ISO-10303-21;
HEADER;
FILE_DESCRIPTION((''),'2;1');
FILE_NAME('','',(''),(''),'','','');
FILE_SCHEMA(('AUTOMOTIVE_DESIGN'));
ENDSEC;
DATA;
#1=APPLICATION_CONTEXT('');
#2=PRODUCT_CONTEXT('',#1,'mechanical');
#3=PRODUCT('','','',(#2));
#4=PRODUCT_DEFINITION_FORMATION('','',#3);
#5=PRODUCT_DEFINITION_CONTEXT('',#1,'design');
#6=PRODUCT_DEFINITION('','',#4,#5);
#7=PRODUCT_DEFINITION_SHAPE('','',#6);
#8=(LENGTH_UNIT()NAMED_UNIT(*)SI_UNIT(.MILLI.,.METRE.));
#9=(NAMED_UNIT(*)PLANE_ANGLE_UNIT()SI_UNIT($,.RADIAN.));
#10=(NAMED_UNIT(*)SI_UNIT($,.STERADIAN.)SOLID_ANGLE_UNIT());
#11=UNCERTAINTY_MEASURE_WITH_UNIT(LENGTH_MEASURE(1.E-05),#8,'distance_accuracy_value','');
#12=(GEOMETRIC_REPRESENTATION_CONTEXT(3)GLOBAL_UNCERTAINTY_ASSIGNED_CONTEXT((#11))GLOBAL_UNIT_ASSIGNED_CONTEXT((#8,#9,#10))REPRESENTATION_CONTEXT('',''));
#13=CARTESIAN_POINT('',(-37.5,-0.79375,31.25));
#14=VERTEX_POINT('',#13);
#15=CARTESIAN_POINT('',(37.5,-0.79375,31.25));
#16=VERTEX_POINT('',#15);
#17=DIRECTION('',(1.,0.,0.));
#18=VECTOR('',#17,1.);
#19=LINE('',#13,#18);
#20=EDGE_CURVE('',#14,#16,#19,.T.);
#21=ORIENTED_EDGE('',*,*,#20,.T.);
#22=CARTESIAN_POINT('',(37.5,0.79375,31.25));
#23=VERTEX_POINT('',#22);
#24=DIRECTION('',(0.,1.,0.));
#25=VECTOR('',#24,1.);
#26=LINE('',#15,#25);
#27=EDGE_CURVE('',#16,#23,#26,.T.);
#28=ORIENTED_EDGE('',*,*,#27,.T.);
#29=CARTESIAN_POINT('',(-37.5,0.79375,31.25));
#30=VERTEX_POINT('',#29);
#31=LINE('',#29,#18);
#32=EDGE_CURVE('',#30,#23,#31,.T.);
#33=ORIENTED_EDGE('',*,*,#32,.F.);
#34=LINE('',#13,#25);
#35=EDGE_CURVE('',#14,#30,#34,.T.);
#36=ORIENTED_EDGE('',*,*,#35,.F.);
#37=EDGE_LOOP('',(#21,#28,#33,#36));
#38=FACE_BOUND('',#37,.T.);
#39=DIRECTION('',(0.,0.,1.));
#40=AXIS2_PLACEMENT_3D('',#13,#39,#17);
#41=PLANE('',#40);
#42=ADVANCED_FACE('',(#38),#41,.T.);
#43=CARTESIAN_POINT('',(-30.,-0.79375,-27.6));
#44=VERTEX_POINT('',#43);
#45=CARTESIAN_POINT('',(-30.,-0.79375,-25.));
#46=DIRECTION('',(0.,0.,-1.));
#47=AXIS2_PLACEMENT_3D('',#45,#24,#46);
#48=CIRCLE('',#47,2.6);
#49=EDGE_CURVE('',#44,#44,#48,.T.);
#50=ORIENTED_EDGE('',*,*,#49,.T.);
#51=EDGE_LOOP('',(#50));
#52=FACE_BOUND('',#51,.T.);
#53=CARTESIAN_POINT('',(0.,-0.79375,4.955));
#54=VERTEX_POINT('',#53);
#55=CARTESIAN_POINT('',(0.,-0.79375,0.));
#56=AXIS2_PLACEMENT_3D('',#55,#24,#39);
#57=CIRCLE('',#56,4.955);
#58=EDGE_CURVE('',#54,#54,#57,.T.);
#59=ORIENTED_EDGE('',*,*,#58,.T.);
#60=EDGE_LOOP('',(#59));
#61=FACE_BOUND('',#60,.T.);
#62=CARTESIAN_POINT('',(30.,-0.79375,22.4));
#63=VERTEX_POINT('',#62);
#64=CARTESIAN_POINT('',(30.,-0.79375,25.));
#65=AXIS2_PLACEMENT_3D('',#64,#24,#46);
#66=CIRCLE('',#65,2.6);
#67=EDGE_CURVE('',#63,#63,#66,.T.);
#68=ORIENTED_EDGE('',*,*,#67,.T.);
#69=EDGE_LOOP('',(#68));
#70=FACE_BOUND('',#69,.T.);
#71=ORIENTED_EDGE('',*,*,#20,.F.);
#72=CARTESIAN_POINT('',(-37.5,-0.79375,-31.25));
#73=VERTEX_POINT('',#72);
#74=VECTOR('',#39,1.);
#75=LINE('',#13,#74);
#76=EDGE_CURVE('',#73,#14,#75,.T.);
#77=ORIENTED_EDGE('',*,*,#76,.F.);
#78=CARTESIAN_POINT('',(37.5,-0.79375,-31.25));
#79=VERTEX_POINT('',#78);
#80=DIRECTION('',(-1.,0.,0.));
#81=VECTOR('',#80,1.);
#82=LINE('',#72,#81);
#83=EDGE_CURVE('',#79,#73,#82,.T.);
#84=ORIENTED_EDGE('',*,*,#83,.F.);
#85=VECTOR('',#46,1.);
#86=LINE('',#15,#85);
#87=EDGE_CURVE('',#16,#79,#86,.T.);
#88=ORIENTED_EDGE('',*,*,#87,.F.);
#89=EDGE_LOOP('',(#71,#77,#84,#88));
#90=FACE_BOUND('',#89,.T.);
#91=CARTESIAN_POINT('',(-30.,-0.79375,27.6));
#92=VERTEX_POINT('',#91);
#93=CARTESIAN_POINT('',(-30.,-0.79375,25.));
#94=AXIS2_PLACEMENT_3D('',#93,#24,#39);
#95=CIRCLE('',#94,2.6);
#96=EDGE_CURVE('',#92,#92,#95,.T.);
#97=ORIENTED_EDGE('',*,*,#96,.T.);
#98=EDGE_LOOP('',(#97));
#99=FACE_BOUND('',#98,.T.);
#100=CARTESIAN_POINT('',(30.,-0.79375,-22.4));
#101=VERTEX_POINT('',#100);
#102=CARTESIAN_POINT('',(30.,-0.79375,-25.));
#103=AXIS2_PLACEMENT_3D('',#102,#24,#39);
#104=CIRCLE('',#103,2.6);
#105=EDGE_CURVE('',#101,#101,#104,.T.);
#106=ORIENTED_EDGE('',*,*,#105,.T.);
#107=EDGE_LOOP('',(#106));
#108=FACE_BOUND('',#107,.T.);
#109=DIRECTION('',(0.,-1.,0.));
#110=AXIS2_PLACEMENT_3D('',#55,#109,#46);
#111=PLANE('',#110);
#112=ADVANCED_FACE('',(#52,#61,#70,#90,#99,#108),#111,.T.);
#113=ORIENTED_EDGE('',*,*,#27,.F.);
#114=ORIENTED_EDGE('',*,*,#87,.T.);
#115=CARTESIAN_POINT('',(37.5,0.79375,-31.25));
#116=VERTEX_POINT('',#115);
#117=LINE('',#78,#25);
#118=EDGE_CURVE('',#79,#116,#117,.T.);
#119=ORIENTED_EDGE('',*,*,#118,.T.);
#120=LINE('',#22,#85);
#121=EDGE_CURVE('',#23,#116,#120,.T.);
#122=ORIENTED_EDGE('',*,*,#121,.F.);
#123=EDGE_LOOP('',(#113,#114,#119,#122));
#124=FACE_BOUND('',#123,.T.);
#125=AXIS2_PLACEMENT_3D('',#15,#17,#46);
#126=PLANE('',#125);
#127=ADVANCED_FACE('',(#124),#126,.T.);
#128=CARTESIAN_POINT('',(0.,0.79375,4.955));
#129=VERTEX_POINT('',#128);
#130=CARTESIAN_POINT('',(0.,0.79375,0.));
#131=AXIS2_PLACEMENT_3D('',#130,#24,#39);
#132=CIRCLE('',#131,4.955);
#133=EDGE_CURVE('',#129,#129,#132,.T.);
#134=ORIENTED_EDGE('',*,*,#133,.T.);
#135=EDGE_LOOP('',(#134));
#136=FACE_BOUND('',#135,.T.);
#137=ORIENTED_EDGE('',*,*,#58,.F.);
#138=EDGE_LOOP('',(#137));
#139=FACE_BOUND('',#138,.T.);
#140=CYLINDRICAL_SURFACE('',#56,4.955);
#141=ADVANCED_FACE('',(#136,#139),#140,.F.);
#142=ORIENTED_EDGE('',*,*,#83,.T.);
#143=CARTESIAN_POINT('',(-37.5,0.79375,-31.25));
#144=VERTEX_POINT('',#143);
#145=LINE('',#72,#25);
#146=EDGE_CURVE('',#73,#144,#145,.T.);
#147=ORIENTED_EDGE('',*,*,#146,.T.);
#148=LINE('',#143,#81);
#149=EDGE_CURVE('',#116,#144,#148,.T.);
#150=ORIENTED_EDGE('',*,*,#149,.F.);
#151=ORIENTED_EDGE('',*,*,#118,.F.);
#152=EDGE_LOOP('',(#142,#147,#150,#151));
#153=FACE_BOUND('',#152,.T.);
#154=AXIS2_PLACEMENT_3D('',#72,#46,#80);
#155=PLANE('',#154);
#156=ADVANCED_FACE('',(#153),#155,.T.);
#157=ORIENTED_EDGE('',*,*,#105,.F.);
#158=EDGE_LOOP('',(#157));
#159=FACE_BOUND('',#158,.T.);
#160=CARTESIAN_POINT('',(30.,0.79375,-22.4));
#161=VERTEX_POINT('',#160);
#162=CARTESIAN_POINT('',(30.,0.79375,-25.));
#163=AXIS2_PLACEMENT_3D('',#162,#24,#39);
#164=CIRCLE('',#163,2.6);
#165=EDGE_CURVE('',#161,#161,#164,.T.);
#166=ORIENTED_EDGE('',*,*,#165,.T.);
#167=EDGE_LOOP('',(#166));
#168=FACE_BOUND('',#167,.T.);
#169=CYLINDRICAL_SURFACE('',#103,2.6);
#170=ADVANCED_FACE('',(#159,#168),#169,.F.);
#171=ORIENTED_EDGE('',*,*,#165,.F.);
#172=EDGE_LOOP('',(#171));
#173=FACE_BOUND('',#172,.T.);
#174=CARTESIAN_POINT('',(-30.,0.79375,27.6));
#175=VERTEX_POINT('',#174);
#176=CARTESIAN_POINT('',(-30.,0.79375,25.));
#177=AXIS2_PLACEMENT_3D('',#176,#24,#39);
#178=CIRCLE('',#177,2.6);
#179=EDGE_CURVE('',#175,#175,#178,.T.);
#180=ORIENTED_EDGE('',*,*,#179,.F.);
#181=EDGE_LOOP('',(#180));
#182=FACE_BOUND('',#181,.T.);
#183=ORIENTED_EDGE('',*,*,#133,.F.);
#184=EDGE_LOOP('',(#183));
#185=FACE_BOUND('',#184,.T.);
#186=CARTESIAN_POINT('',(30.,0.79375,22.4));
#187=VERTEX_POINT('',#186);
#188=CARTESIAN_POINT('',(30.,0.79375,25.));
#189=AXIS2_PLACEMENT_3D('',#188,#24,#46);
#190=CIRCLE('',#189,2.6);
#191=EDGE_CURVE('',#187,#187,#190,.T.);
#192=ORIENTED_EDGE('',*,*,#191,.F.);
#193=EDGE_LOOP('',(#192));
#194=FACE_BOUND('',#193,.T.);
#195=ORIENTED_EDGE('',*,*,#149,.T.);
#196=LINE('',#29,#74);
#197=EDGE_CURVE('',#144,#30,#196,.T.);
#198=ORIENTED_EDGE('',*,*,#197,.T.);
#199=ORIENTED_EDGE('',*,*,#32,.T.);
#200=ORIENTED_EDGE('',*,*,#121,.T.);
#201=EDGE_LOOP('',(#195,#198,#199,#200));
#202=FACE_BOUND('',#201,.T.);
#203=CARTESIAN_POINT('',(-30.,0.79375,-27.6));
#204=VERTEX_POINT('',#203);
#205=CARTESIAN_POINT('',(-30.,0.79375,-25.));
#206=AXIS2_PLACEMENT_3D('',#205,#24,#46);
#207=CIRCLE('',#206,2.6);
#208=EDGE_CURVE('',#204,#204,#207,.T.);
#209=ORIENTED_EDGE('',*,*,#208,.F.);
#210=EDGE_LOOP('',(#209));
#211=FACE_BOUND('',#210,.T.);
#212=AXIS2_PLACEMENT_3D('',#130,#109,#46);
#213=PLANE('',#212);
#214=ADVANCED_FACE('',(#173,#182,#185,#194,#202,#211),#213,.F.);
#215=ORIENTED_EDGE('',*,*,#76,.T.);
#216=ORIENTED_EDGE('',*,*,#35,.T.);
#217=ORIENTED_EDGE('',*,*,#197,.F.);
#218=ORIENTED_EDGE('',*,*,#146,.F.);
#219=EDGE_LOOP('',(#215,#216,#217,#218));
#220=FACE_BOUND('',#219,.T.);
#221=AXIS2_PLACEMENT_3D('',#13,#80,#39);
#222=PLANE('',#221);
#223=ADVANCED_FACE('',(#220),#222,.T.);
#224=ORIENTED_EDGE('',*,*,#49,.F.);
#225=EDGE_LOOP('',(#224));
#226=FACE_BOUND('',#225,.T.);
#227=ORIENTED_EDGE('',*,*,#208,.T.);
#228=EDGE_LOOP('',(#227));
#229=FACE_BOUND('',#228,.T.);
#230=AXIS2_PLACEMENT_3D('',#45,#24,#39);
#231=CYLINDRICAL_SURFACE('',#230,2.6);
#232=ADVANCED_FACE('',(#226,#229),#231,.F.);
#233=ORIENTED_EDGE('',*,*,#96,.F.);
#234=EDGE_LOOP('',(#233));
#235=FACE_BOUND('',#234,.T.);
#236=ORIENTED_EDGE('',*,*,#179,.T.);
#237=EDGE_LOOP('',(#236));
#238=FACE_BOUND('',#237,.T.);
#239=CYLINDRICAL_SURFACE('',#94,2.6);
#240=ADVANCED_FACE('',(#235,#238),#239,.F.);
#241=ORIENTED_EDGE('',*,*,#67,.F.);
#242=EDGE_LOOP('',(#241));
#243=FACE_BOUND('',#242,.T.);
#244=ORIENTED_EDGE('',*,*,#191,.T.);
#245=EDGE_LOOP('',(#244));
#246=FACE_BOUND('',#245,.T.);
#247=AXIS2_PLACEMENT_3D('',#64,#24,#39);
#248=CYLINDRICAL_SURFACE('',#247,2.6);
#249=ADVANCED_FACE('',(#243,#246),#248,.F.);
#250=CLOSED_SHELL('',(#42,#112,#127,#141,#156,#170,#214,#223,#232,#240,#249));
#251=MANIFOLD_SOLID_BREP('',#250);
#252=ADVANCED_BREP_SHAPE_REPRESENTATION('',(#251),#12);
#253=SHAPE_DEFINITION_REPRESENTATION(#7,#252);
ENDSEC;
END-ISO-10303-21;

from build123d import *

# Parameters (mm, degrees)
BOSS_EXTRUDE1_DEPTH      = 0.79375
BOSS_EXTRUDE1_DEPTH_BACK = 0.79375
SKETCH1_W                = 75
SKETCH1_H                = 62.5
SKETCH1_R                = 4.955
SKETCH1_R_2              = 2.6


with BuildPart() as part:
    # Sketch1 → Boss-Extrude1 (new, two sides: drawn at the far end of the back side and taken through both)
    with BuildSketch(Plane(origin=(0, 0, 0), x_dir=(1, 0, 0), z_dir=(0, 1, 0)).offset(-BOSS_EXTRUDE1_DEPTH_BACK)):
        Rectangle(SKETCH1_W, SKETCH1_H)
        Circle(SKETCH1_R, mode=Mode.SUBTRACT)
        with Locations((30, 25)):
            Circle(SKETCH1_R_2, mode=Mode.SUBTRACT)
        with Locations((-30, 25)):
            Circle(SKETCH1_R_2, mode=Mode.SUBTRACT)
        with Locations((-30, -25)):
            Circle(SKETCH1_R_2, mode=Mode.SUBTRACT)
        with Locations((30, -25)):
            Circle(SKETCH1_R_2, mode=Mode.SUBTRACT)
    extrude(amount=BOSS_EXTRUDE1_DEPTH + BOSS_EXTRUDE1_DEPTH_BACK)


solid = part.part
